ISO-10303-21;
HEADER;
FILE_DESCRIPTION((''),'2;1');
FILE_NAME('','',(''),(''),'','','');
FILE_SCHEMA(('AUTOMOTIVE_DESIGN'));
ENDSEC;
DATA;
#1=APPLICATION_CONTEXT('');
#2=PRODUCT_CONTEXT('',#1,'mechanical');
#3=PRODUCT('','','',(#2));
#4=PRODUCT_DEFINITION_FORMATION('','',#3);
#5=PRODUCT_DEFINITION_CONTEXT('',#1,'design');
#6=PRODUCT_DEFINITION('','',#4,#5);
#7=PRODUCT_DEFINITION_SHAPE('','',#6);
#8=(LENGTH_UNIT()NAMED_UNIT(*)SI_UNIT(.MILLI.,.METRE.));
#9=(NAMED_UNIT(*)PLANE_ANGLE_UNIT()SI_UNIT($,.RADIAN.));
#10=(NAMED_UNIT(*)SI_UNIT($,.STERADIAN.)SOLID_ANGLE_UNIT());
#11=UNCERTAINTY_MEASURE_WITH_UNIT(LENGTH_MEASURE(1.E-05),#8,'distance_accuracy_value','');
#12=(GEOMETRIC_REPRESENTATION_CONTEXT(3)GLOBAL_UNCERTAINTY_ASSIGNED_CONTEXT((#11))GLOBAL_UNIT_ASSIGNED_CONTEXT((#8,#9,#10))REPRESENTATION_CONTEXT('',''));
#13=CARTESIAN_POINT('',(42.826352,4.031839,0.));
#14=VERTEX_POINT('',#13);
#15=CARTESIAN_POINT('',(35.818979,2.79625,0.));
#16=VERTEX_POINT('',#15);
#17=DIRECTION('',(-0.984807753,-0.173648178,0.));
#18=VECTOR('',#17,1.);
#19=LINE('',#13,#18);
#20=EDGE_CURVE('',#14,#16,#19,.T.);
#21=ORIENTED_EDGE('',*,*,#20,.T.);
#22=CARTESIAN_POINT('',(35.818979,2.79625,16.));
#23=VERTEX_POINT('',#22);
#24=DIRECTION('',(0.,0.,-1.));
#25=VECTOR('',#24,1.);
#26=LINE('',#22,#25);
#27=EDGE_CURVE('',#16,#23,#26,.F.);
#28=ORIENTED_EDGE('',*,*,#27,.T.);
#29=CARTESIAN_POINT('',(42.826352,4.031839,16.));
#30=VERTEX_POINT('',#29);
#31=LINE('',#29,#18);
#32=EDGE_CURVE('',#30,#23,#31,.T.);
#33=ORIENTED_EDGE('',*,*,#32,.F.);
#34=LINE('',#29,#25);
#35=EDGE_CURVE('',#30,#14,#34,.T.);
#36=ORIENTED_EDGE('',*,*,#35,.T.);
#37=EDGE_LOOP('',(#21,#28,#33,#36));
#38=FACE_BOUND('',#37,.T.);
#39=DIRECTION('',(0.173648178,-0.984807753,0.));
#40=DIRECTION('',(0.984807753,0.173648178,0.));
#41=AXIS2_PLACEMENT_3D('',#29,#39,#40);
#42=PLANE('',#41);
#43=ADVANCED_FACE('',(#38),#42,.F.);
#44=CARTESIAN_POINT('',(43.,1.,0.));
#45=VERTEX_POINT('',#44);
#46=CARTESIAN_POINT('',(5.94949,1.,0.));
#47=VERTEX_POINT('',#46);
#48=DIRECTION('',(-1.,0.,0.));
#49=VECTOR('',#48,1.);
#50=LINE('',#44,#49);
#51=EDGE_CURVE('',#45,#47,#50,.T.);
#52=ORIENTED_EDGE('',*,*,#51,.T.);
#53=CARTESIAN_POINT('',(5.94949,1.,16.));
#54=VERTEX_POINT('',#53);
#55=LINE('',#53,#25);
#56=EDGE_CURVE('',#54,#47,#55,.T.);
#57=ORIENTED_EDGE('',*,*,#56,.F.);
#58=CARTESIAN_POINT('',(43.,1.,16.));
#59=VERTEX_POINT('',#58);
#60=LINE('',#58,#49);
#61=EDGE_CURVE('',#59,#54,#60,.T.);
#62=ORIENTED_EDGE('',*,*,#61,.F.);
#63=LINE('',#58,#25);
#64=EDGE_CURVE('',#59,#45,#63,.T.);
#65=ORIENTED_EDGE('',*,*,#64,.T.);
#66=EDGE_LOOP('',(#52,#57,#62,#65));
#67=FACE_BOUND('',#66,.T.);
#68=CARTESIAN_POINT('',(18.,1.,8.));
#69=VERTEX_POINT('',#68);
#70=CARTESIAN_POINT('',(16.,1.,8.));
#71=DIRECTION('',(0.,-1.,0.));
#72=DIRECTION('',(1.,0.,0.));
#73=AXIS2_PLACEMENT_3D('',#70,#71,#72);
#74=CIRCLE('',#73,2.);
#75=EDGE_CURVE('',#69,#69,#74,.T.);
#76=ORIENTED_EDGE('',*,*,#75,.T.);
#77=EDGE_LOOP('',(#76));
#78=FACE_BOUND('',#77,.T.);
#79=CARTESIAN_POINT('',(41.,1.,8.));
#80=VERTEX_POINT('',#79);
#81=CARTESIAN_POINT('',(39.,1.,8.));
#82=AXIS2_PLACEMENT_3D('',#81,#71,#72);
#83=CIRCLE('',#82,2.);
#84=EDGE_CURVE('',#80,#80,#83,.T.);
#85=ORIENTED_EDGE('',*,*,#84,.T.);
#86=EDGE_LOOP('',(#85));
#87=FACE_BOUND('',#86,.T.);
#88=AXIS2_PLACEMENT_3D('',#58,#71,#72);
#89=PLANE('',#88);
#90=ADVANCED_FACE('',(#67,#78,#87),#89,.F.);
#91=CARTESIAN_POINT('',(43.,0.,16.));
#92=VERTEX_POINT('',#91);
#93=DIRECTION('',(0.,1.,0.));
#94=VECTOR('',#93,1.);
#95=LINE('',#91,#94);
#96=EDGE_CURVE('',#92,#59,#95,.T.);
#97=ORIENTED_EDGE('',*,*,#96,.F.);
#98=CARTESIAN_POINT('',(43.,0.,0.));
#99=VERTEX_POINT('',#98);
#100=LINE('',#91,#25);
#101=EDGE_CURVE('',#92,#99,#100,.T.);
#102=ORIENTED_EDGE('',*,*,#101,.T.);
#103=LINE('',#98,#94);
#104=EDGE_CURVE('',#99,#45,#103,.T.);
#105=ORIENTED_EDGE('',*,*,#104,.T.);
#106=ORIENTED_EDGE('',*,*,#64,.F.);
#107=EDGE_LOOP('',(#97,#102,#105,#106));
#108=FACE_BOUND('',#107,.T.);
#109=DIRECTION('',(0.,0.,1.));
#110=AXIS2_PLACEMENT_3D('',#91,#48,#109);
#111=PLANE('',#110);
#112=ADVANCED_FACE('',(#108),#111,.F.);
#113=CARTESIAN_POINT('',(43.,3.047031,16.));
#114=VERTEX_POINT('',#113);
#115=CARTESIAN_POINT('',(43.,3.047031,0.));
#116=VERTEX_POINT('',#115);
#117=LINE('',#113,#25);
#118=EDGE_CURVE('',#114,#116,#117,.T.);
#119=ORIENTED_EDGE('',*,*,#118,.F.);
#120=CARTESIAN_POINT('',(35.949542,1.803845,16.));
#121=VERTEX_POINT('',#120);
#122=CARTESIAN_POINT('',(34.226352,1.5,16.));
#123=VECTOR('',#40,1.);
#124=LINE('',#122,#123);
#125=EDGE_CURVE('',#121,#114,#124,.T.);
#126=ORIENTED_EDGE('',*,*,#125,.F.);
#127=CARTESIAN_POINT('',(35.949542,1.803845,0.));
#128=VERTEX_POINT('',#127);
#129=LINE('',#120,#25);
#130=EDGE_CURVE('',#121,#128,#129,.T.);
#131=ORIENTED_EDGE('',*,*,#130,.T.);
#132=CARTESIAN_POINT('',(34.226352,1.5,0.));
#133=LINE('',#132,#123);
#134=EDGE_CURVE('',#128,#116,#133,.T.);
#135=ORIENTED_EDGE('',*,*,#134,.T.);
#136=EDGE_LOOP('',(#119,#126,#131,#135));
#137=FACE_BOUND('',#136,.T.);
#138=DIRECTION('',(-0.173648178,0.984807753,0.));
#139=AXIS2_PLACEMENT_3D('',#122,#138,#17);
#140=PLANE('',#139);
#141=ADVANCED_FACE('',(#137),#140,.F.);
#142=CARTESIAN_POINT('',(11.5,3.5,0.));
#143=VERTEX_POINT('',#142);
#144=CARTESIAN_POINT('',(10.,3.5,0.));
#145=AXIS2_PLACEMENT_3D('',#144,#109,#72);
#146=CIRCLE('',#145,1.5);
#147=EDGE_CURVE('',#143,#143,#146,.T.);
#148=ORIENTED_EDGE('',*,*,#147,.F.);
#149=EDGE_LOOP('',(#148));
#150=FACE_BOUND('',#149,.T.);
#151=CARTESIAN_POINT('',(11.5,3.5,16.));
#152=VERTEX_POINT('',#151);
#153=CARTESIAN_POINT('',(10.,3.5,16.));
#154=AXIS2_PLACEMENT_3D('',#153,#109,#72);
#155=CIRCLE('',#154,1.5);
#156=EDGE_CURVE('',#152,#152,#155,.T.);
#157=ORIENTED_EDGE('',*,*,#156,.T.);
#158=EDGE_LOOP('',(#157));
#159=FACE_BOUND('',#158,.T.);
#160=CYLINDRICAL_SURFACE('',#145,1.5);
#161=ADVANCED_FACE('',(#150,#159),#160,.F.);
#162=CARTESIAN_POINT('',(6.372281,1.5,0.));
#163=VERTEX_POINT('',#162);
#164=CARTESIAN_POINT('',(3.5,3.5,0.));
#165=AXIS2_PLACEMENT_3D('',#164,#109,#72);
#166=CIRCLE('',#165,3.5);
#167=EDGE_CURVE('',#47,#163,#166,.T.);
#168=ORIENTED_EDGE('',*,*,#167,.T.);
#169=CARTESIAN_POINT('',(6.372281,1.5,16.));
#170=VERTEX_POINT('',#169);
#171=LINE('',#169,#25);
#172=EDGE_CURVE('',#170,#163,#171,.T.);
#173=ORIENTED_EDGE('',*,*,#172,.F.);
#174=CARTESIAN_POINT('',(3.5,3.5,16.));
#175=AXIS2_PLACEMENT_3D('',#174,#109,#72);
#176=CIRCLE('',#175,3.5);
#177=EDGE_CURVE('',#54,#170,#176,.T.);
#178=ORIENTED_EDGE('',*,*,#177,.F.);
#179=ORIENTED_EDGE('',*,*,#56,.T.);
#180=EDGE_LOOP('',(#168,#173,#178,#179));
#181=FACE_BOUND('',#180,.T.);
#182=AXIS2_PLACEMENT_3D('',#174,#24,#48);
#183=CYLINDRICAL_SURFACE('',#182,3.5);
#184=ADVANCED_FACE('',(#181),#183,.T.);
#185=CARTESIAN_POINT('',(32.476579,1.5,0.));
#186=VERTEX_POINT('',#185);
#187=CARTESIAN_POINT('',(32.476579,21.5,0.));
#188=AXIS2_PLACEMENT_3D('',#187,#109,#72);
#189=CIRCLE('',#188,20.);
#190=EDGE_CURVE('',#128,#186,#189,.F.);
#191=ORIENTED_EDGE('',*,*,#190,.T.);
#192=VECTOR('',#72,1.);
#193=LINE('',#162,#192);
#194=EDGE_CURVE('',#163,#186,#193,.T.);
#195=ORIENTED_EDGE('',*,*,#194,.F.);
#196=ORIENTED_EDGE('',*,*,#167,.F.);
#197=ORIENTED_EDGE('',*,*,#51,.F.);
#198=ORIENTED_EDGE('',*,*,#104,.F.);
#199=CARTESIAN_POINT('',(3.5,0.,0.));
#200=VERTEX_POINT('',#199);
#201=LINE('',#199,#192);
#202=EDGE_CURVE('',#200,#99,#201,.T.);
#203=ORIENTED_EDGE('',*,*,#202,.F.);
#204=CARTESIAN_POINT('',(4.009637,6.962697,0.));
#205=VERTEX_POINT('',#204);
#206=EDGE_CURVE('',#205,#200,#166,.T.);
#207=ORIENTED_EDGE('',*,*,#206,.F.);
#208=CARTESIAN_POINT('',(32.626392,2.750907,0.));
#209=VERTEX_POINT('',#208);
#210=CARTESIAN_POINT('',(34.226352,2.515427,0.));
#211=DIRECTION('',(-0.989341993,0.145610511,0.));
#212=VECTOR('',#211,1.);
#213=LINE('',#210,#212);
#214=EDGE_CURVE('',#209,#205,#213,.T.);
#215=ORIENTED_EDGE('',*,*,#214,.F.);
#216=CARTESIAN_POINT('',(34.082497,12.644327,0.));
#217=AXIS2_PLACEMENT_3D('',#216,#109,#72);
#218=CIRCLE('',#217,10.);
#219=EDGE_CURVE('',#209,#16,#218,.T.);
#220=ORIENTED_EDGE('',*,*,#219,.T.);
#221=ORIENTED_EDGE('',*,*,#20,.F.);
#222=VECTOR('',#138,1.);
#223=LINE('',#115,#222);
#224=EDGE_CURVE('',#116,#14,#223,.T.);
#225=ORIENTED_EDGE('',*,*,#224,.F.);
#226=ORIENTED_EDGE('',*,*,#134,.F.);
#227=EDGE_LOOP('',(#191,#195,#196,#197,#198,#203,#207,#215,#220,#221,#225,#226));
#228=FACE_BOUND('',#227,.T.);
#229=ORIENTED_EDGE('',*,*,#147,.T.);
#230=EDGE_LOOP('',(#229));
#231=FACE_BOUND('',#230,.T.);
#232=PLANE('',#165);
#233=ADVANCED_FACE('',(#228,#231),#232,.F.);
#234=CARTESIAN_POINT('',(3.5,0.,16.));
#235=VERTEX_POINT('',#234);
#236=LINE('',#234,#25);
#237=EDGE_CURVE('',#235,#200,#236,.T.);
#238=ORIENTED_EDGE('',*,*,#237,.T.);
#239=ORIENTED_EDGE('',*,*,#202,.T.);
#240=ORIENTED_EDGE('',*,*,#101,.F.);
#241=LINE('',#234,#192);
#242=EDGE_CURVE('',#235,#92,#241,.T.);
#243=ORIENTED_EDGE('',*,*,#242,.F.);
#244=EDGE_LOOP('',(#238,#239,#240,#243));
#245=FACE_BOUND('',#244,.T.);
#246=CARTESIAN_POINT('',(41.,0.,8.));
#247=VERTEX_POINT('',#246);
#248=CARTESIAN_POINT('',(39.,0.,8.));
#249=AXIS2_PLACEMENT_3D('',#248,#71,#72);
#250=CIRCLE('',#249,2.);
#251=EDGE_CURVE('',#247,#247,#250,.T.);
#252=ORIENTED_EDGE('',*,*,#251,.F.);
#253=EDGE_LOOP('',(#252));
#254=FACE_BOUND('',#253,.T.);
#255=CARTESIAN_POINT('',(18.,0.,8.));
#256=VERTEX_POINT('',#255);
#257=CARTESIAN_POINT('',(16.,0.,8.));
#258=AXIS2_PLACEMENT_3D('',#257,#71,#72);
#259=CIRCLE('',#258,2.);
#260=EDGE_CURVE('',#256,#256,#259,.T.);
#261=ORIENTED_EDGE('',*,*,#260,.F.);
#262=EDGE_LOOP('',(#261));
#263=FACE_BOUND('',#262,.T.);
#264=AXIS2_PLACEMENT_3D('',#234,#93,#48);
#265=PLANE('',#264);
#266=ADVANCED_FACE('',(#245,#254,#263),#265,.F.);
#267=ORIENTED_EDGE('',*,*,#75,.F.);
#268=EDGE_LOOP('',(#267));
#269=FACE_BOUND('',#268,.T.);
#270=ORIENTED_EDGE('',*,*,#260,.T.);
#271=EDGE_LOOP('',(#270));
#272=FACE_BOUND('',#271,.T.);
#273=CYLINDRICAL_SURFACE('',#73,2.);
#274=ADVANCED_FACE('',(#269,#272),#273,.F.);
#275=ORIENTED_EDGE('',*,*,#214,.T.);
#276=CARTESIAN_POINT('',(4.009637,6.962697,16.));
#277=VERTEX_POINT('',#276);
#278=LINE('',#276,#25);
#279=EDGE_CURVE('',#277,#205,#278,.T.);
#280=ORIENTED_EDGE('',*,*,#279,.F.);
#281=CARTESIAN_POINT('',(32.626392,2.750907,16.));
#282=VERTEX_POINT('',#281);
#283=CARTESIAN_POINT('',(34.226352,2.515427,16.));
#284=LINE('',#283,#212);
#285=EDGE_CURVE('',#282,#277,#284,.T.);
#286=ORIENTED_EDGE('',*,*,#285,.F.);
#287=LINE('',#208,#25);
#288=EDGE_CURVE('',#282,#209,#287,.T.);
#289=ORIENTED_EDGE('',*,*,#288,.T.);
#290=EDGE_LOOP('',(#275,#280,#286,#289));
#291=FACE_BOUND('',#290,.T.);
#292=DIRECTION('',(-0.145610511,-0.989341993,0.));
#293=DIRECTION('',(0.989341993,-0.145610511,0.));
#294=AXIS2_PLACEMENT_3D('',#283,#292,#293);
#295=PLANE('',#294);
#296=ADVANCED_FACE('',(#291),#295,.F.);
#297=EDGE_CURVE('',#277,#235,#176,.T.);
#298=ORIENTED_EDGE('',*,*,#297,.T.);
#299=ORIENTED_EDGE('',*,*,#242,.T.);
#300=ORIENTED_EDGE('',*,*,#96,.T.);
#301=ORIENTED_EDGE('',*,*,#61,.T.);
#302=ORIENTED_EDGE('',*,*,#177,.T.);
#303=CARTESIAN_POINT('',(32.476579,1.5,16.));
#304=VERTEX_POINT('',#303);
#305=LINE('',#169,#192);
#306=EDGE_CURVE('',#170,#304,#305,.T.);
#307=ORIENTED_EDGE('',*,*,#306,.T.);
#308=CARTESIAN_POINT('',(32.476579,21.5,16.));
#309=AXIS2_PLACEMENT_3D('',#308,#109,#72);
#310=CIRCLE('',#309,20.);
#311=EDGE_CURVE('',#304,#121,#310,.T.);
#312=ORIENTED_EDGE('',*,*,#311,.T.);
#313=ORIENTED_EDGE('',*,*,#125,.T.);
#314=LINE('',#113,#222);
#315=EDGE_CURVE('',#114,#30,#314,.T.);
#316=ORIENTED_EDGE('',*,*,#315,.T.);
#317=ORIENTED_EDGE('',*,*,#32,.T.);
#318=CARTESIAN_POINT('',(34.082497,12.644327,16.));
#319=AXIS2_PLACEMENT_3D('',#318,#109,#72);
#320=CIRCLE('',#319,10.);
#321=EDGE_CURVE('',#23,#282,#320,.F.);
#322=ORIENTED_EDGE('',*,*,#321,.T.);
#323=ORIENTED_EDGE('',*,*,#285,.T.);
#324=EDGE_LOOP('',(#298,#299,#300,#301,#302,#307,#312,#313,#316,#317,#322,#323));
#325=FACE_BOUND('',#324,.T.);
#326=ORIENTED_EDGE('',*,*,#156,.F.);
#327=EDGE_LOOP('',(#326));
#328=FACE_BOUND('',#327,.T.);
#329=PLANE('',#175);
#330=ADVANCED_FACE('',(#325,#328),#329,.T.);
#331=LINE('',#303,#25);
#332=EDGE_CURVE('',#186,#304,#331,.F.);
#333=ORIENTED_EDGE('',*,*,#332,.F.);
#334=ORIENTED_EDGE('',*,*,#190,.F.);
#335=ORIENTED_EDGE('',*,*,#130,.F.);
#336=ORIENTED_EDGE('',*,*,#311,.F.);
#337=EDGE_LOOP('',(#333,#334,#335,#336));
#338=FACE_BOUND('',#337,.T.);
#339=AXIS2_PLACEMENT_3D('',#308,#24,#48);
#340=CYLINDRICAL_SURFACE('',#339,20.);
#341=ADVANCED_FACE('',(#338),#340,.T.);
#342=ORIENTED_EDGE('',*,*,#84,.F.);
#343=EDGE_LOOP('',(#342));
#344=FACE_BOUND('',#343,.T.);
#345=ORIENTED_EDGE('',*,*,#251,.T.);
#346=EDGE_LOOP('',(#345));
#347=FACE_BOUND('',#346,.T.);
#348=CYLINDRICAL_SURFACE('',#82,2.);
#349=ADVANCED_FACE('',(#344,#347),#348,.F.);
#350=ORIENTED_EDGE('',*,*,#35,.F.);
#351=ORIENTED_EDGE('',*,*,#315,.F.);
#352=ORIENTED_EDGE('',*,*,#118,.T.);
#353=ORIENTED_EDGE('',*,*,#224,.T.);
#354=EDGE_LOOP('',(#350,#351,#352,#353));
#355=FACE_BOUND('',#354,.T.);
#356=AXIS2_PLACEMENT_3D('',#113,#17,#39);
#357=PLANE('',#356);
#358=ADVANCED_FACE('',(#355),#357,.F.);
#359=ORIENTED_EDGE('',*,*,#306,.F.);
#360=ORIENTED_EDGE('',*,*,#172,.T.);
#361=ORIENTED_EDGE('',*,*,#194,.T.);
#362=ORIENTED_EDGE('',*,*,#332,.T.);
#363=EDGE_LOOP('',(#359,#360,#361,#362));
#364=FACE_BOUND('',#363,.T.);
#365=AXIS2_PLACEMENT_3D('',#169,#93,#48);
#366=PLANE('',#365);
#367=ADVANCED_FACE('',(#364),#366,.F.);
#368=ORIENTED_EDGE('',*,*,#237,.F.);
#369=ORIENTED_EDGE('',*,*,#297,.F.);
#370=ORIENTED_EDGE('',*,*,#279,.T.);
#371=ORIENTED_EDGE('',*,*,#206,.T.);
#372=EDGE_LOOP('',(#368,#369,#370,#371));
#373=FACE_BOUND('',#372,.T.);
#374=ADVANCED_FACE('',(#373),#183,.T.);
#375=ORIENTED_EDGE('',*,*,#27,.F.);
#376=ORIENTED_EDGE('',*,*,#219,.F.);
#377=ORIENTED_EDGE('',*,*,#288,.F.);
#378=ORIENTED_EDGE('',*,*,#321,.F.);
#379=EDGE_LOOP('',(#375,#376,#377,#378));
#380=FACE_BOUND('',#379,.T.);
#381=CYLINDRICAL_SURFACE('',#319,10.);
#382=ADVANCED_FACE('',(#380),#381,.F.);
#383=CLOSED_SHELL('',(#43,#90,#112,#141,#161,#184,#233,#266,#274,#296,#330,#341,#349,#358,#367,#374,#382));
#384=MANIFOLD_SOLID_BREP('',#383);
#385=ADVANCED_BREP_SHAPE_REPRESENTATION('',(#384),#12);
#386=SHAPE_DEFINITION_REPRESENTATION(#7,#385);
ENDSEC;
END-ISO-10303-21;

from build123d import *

# Parameters (mm, degrees)
ESTRUSIONE_ESTRUSIONE1_DEPTH = 16
RACCORDO1_R                  = 10
RACCORDO2_R                  = 20
SCHIZZO3_R                   = 1.5
TAGLIO_ESTRUSIONE1_DEPTH     = 16
SCHIZZO4_R                   = 2
TAGLIO_ESTRUSIONE2_DEPTH     = 1


with BuildPart() as part:
    # Schizzo1 → Estrusione-Estrusione1 (new body)
    with BuildSketch(Plane.XY):
        with BuildLine():
            Line((3.5, 0), (43, 0))
            Line((43, 0), (43, 1))
            Line((43, 1), (5.949489743, 1))
            ThreePointArc((5.949489743, 1), (6.17260394, 1.240091112), (6.372281323, 1.5))
            Line((6.372281323, 1.5), (34.226351822, 1.5))
            Line((34.226351822, 1.5), (43, 3.047030893))
            Line((43, 3.047030893), (42.826351822, 4.031838646))
            Line((42.826351822, 4.031838646), (34.226351822, 2.515426612))
            Line((34.226351822, 2.515426612), (4.009636789, 6.962696975))
            ThreePointArc((4.009636789, 6.962696975), (0.009338214, 3.755500085), (3.5, 0))
        make_face()
    extrude(amount=ESTRUSIONE_ESTRUSIONE1_DEPTH)

    # Raccordo1
    raccordo1_edges = [part.edges().sort_by_distance(p)[0] for p in [
        (34.226351822, 2.515426612, 8),
    ]]
    fillet(raccordo1_edges, radius=RACCORDO1_R)

    # Raccordo2
    raccordo2_edges = [part.edges().sort_by_distance(p)[0] for p in [
        (34.226351822, 1.5, 8),
    ]]
    fillet(raccordo2_edges, radius=RACCORDO2_R)

    # Schizzo3 → Taglio-Estrusione1 (cut)
    with BuildSketch(Plane.XY.offset(16)):
        with Locations((10, 3.5)):
            Circle(SCHIZZO3_R)
    extrude(amount=-TAGLIO_ESTRUSIONE1_DEPTH, mode=Mode.SUBTRACT)

    # Schizzo4 → Taglio-Estrusione2 (cut)
    with BuildSketch(Plane.XZ):
        with Locations((39, 8)):
            Circle(SCHIZZO4_R)
        with Locations((16, 8)):
            Circle(SCHIZZO4_R)
    extrude(amount=-TAGLIO_ESTRUSIONE2_DEPTH, mode=Mode.SUBTRACT)


solid = part.part
